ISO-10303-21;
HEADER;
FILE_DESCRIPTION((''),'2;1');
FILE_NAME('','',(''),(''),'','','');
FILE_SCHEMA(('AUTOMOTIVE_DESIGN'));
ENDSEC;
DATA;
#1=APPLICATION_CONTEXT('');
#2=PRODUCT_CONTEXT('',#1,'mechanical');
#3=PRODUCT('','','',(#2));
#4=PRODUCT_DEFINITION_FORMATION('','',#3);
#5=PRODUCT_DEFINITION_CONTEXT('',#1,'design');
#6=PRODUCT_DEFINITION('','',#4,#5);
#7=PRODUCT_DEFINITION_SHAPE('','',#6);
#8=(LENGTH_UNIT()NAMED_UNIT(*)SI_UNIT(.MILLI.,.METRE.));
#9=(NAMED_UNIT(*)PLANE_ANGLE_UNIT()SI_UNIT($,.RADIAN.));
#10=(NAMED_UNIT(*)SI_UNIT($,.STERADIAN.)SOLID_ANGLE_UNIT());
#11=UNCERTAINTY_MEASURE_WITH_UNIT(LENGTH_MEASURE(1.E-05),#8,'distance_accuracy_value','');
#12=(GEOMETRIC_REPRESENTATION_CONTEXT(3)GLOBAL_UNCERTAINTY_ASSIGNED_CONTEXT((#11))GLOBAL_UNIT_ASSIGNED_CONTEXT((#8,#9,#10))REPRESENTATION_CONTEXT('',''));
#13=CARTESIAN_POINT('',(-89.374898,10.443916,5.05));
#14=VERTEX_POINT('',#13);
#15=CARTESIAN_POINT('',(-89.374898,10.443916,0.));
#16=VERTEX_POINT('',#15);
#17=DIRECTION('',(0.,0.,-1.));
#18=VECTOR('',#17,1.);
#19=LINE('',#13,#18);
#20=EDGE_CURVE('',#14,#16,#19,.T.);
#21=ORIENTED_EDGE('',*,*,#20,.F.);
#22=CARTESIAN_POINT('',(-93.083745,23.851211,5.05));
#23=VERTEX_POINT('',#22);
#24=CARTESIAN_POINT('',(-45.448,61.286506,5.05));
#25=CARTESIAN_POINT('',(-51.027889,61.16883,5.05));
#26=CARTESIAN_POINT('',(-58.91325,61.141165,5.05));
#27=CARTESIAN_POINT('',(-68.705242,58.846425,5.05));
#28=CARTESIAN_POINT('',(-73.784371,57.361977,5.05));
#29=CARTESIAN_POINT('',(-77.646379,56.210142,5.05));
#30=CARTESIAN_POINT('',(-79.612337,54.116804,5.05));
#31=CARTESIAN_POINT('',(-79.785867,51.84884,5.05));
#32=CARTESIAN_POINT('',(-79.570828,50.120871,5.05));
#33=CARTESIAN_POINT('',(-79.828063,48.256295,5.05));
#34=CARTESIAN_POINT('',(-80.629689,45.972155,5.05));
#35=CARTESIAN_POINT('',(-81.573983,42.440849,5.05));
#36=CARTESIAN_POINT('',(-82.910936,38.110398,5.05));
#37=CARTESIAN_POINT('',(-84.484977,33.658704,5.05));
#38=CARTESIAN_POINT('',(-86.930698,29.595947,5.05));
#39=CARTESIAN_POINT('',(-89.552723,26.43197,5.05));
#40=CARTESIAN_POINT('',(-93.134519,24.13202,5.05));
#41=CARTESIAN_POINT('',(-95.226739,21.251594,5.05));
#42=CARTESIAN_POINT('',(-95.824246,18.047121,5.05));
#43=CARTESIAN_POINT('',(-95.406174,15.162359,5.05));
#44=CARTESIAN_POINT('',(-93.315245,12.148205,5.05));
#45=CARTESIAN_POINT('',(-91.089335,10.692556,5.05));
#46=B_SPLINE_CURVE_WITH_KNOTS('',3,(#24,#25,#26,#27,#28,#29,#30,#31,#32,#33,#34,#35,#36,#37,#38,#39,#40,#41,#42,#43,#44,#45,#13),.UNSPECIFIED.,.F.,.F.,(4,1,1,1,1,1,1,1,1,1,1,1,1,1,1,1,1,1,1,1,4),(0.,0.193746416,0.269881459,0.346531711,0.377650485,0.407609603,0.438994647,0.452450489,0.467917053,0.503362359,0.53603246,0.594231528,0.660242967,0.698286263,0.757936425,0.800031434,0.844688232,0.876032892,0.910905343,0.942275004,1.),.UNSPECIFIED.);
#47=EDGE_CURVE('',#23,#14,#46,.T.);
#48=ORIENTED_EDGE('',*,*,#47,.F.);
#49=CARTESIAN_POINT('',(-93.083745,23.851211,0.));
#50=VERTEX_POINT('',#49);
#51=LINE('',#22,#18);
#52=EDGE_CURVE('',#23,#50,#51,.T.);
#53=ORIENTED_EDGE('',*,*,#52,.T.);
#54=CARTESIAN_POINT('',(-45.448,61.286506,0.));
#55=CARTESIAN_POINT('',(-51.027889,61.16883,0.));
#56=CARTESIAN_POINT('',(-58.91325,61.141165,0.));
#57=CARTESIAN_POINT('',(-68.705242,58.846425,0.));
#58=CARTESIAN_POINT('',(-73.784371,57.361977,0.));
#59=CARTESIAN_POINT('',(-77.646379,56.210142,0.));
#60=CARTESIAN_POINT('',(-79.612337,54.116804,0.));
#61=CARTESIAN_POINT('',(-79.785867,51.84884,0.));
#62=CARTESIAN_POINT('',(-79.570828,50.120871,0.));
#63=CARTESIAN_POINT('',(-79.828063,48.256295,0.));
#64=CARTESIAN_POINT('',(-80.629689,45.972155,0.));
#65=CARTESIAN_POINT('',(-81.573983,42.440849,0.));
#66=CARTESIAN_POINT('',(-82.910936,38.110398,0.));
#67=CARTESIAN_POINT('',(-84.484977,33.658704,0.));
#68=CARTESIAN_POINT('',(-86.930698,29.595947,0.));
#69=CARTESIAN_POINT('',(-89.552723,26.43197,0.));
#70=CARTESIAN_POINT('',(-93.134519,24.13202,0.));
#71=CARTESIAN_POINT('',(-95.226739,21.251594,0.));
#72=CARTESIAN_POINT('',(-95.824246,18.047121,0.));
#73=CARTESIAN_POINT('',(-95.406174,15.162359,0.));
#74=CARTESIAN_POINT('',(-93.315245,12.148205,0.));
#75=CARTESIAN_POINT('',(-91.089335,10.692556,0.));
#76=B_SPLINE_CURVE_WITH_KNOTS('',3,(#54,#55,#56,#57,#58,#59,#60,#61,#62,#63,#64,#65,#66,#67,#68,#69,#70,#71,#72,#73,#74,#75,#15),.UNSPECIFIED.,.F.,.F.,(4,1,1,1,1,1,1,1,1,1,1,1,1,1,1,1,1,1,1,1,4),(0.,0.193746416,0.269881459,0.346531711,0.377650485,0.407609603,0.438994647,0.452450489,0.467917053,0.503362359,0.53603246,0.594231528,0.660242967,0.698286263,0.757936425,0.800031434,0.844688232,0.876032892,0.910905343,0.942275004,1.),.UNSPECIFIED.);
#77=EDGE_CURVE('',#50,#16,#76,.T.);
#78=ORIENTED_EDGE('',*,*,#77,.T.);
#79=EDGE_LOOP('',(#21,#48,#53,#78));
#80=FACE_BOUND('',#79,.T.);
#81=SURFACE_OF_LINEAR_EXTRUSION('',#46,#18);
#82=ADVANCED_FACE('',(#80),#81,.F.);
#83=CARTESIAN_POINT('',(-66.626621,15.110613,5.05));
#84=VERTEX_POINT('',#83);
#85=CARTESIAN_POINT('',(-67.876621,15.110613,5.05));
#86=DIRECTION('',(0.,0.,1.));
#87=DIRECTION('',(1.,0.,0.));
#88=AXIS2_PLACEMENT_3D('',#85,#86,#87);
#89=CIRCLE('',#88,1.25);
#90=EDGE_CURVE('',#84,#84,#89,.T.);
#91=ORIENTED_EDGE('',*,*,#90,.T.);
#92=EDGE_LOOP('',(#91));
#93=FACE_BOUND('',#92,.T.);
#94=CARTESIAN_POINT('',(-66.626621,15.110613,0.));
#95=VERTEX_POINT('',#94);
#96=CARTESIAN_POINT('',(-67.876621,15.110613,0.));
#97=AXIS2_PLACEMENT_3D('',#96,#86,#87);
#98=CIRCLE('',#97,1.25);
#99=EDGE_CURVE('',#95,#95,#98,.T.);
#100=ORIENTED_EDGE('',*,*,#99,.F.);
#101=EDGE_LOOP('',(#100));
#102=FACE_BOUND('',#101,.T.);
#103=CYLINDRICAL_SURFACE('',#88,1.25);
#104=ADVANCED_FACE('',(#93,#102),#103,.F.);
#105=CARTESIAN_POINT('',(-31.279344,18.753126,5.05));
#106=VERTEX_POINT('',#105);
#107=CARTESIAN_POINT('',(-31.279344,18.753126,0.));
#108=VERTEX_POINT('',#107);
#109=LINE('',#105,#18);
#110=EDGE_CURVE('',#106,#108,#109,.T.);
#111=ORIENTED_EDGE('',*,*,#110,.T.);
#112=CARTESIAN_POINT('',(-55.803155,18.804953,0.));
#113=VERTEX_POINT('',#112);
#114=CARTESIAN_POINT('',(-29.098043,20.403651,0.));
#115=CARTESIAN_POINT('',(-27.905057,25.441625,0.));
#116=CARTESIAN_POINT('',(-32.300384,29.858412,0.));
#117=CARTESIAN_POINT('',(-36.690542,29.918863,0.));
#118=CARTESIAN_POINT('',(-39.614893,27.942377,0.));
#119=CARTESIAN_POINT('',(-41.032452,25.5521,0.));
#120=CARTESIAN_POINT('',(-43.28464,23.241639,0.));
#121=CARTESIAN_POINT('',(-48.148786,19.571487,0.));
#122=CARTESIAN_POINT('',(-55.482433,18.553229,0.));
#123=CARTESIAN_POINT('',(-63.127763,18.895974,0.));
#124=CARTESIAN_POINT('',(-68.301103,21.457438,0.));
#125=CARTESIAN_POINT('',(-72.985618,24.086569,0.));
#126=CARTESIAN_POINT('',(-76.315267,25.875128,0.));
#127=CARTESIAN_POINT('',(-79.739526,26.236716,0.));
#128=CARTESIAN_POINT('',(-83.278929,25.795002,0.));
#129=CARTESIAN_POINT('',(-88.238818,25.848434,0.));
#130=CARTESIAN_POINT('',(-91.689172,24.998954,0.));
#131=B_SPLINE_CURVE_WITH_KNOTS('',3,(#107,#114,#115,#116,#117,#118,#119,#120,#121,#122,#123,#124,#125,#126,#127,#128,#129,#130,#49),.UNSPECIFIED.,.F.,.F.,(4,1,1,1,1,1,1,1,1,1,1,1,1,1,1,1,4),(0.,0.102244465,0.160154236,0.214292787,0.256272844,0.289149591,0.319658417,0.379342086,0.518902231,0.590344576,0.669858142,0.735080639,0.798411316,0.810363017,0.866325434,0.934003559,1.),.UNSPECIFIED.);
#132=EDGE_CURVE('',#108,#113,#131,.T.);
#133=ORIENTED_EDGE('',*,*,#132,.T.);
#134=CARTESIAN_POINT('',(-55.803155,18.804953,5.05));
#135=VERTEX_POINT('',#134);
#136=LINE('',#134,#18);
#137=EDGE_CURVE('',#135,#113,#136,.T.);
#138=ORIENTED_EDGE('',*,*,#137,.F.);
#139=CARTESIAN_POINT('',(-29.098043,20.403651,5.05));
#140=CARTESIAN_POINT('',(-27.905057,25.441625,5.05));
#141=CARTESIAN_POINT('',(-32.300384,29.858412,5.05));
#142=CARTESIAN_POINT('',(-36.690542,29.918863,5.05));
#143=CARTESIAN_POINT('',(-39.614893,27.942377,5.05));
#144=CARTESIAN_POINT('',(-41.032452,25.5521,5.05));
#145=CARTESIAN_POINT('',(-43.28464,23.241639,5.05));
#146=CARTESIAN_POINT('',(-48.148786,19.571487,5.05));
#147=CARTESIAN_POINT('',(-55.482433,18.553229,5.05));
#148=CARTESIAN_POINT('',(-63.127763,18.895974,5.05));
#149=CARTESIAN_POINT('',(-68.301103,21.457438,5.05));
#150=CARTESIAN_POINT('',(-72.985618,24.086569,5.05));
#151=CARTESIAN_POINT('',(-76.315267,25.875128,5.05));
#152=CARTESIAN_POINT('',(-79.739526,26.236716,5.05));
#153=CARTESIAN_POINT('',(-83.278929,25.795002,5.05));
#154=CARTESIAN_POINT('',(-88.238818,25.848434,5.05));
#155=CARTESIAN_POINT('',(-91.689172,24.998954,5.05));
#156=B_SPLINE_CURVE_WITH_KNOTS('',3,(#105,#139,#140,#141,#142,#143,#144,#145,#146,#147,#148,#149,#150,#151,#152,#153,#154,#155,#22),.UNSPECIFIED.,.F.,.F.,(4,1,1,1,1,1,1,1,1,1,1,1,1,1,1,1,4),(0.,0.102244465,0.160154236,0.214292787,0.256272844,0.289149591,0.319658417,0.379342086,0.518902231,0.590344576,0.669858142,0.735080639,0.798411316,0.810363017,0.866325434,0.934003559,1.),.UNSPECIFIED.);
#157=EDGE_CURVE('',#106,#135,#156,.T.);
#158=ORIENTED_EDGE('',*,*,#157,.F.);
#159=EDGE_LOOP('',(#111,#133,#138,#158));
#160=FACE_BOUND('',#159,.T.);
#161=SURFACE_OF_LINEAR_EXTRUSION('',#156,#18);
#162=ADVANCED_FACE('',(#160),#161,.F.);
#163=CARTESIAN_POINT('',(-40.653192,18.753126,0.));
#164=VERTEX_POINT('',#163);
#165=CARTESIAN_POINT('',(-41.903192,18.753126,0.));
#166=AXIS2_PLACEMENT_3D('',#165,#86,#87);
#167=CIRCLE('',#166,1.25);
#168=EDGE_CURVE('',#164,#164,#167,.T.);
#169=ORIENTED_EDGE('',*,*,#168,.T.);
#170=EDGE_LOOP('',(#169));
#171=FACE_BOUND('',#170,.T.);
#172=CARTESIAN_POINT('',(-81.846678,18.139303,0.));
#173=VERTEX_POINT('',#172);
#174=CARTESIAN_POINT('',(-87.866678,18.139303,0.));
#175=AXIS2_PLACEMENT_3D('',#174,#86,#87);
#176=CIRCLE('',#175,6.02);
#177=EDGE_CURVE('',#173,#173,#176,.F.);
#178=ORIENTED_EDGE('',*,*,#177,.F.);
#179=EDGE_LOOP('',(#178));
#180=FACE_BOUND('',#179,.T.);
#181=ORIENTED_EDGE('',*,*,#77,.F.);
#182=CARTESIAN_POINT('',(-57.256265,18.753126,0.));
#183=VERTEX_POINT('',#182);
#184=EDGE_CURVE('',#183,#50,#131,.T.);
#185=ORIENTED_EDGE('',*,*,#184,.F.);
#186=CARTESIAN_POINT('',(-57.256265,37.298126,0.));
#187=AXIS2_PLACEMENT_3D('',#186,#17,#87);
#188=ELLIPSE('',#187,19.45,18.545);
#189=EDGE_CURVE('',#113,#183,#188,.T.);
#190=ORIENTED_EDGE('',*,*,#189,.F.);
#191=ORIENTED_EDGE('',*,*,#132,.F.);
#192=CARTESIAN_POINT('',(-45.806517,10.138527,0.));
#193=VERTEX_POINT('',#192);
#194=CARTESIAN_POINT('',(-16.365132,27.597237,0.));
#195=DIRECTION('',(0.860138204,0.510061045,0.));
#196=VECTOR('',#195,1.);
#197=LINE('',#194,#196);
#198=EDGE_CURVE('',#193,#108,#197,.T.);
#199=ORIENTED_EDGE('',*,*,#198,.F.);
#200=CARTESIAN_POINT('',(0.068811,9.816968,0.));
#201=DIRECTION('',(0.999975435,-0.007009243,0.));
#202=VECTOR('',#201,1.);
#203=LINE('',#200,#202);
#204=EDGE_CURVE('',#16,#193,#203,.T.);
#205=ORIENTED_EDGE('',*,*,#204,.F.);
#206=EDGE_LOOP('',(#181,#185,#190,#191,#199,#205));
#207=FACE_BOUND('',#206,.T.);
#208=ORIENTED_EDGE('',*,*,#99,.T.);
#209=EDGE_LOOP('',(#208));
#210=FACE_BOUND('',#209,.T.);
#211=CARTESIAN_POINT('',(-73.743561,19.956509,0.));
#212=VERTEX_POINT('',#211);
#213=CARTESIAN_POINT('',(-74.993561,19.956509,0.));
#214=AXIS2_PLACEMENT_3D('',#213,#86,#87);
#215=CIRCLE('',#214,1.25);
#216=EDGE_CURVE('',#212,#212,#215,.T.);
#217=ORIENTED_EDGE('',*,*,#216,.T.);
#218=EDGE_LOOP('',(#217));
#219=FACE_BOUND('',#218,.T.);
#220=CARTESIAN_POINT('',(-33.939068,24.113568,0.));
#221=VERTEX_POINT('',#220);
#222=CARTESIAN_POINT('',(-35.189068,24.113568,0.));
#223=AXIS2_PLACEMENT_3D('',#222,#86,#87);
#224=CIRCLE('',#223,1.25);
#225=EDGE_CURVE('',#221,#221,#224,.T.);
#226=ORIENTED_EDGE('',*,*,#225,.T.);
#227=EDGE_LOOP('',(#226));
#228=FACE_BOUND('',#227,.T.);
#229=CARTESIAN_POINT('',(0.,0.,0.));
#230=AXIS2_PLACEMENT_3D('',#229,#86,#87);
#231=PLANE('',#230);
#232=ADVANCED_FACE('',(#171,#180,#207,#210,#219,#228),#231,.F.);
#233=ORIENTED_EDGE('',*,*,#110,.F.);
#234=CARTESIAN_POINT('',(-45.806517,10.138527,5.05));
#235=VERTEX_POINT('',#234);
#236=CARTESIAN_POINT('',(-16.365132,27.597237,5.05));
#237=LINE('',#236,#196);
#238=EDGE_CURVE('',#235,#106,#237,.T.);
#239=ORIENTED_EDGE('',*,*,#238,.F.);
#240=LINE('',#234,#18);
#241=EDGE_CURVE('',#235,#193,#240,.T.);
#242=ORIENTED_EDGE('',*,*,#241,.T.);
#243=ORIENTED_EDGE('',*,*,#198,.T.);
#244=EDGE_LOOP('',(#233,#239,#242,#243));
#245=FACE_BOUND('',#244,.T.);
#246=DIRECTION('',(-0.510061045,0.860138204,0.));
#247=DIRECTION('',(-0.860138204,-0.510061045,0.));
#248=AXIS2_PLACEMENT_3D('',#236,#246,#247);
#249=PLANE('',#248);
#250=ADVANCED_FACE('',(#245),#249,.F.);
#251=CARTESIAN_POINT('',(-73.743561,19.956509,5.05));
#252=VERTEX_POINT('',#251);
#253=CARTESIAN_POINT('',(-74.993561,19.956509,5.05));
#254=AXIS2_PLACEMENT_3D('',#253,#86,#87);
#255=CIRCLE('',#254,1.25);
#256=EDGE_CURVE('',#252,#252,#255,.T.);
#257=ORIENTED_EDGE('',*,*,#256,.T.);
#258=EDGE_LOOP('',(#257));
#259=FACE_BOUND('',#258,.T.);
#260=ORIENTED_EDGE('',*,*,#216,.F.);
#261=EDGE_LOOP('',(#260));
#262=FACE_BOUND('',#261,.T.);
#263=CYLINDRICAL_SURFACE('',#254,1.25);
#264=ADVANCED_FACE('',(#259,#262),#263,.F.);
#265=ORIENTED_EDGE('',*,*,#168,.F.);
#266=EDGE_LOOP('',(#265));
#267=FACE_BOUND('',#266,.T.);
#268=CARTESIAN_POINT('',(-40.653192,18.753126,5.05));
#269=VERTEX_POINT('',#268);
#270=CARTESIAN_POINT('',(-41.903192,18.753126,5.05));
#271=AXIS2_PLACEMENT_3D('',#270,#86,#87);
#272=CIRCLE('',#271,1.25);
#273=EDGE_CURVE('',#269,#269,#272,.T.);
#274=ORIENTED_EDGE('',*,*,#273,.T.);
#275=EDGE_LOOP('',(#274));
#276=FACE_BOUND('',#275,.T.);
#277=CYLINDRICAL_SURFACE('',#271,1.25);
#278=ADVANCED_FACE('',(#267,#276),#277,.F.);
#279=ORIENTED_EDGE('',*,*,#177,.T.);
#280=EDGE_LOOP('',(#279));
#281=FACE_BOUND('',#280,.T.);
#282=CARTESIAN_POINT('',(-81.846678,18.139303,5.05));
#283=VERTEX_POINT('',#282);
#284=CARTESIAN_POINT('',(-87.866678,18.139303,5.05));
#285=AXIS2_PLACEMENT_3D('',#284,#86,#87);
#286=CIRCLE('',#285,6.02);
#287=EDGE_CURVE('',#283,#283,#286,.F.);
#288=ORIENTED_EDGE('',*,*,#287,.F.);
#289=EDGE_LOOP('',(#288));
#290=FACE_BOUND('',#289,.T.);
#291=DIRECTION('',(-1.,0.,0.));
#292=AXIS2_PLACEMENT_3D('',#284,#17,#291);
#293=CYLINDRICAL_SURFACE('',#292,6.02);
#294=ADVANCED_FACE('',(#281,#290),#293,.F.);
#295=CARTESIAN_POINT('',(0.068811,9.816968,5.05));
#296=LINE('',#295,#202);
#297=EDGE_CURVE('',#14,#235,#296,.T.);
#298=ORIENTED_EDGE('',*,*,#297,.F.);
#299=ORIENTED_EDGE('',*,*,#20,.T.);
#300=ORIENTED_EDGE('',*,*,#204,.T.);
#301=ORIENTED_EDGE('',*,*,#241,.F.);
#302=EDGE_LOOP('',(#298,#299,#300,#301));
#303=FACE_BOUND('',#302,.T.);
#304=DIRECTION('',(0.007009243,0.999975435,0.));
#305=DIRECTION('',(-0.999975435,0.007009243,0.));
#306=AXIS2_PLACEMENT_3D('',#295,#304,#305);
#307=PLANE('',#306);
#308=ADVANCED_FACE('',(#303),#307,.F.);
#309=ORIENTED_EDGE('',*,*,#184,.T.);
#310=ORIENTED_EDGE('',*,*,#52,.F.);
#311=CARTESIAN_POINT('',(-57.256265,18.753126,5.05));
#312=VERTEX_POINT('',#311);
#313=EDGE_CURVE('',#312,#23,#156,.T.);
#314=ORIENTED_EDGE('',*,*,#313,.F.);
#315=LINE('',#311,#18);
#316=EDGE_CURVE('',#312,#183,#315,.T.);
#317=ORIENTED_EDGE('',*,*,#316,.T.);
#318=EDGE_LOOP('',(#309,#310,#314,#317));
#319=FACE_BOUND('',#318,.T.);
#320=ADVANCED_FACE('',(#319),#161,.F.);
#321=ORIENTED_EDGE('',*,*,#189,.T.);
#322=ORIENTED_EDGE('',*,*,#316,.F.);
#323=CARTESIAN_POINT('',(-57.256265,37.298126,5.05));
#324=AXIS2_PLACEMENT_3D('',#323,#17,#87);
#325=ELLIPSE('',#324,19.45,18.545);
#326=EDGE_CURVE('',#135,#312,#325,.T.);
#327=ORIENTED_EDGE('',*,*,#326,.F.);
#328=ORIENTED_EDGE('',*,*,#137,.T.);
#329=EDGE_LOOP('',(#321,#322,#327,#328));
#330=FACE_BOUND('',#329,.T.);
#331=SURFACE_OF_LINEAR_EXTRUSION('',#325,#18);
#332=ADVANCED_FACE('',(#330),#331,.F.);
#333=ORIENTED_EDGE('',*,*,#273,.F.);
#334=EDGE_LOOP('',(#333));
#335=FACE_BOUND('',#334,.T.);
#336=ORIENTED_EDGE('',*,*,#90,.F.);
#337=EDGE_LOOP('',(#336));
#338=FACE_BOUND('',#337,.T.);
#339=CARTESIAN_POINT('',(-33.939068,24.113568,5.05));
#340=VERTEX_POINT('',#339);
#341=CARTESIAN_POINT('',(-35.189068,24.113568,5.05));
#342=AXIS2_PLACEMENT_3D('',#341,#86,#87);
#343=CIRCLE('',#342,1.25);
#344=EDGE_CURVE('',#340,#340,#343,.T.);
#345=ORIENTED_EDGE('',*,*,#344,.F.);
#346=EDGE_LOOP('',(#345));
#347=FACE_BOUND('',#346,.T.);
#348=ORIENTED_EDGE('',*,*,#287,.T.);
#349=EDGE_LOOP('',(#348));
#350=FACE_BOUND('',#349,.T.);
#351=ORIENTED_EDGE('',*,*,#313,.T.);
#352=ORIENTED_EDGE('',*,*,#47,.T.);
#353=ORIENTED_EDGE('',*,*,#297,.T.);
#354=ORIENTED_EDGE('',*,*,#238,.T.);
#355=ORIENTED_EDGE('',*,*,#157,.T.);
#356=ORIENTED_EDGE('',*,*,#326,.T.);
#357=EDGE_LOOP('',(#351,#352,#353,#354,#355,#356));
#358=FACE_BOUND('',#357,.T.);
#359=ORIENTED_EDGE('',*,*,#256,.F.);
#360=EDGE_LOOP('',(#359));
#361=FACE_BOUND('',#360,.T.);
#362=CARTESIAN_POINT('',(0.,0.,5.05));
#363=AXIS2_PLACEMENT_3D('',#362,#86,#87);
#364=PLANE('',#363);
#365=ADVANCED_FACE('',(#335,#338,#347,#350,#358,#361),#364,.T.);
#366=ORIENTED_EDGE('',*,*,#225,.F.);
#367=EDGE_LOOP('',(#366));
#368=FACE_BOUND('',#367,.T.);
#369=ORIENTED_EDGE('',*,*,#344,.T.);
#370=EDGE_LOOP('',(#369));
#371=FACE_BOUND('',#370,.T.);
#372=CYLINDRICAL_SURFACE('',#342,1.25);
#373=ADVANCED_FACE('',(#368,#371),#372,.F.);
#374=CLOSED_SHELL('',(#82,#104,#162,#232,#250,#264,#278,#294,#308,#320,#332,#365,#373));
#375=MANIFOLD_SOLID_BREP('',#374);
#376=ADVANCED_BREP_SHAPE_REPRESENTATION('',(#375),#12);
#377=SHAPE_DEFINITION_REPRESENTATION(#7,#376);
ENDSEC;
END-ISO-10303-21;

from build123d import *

# Parameters (mm, degrees)
SCHIZZO2_R                   = 6.02
SCHIZZO2_R_2                 = 1.7
ESTRUSIONE_ESTRUSIONE1_DEPTH = 5.05
FORO_FILETTATO_M3X0_5_1_D    = 2.5


with BuildPart() as part:
    # Schizzo2 → Estrusione-Estrusione1 (new body)
    # profile 1 of 3: a face of its own
    with BuildSketch(Plane.XY):
        with BuildLine():
            Line((-89.374898214, 10.44391596), (-45.806517375, 10.138527109))
            Line((-45.806517375, 10.138527109), (-31.279343931, 18.753125585))
            add(Edge.make_bspline(
                [(-31.279343931, 18.753125585), (-29.098043345, 20.403651058), (-27.905057256, 25.441624833), (-32.300384053, 29.85841163), (-36.690541673, 29.918863446), (-39.614892883, 27.942376602), (-41.03245157, 25.552100431), (-43.284640457, 23.241638673), (-47.763557065, 19.862154048), (-52.57074608, 18.979169365), (-55.803154975, 18.8049533)],
                knots=[0, 0, 0, 0, 0.102244465, 0.160154236, 0.214292787, 0.256272844, 0.289149591, 0.319658417, 0.379342086, 0.500706378, 0.500706378, 0.500706378, 0.500706378], degree=3))
            add(Edge.make_bspline(
                [(-57.25626525, 18.753125585), (-56.52869344, 18.753125585), (-55.803154975, 18.8049533)],
                knots=[4.71238898, 4.71238898, 4.71238898, 4.787168695, 4.787168695, 4.787168695], degree=2, weights=[1, 0.999301081, 1]))
            add(Edge.make_bspline(
                [(-57.25626525, 18.753125585), (-59.155150134, 18.717879159), (-63.127762505, 18.895973961), (-68.30110331, 21.45743798), (-72.985617709, 24.08656858), (-76.315266746, 25.875128424), (-79.739526403, 26.236715977), (-83.278928702, 25.795001813), (-88.238817678, 25.8484339), (-91.689171987, 24.998953947), (-93.083744843, 23.851210505)],
                knots=[0.518902231, 0.518902231, 0.518902231, 0.518902231, 0.590344576, 0.669858142, 0.735080639, 0.798411316, 0.810363017, 0.866325434, 0.934003559, 1, 1, 1, 1], degree=3))
            add(Edge.make_bspline(
                [(-93.083744843, 23.851210505), (-93.963586918, 22.989018523), (-95.239548576, 21.18289576), (-95.824246169, 18.047120823), (-95.406173905, 15.162358675), (-93.315245164, 12.148204862), (-91.089335339, 10.692555949), (-89.374898214, 10.44391596)],
                knots=[0.80240839, 0.80240839, 0.80240839, 0.80240839, 0.844688232, 0.876032892, 0.910905343, 0.942275004, 1, 1, 1, 1], degree=3))
        make_face()
        with Locations((-87.866678473, 18.139302594)):
            Circle(SCHIZZO2_R, mode=Mode.SUBTRACT)
        with Locations((-74.993560801, 19.956508848)):
            Circle(SCHIZZO2_R_2, mode=Mode.SUBTRACT)
        with Locations((-35.18906777, 24.113568479)):
            Circle(SCHIZZO2_R_2, mode=Mode.SUBTRACT)
    # profile 2 of 3: a face of its own
    with BuildSketch(Plane.XY):
        with Locations((-74.993560801, 19.956508848)):
            Circle(SCHIZZO2_R_2)
    # profile 3 of 3: a face of its own
    with BuildSketch(Plane.XY):
        with Locations((-35.18906777, 24.113568479)):
            Circle(SCHIZZO2_R_2)
    extrude(amount=ESTRUSIONE_ESTRUSIONE1_DEPTH)

    # Foro filettato M3x0.5-1 (through all)
    with Locations(Plane.XY.offset(5.05)):
        with Locations((-67.876621075, 15.110612874), (-74.993560801, 19.956508848), (-41.903191958, 18.753125585), (-35.18906777, 24.113568479)):
            Hole(FORO_FILETTATO_M3X0_5_1_D / 2)


solid = part.part
